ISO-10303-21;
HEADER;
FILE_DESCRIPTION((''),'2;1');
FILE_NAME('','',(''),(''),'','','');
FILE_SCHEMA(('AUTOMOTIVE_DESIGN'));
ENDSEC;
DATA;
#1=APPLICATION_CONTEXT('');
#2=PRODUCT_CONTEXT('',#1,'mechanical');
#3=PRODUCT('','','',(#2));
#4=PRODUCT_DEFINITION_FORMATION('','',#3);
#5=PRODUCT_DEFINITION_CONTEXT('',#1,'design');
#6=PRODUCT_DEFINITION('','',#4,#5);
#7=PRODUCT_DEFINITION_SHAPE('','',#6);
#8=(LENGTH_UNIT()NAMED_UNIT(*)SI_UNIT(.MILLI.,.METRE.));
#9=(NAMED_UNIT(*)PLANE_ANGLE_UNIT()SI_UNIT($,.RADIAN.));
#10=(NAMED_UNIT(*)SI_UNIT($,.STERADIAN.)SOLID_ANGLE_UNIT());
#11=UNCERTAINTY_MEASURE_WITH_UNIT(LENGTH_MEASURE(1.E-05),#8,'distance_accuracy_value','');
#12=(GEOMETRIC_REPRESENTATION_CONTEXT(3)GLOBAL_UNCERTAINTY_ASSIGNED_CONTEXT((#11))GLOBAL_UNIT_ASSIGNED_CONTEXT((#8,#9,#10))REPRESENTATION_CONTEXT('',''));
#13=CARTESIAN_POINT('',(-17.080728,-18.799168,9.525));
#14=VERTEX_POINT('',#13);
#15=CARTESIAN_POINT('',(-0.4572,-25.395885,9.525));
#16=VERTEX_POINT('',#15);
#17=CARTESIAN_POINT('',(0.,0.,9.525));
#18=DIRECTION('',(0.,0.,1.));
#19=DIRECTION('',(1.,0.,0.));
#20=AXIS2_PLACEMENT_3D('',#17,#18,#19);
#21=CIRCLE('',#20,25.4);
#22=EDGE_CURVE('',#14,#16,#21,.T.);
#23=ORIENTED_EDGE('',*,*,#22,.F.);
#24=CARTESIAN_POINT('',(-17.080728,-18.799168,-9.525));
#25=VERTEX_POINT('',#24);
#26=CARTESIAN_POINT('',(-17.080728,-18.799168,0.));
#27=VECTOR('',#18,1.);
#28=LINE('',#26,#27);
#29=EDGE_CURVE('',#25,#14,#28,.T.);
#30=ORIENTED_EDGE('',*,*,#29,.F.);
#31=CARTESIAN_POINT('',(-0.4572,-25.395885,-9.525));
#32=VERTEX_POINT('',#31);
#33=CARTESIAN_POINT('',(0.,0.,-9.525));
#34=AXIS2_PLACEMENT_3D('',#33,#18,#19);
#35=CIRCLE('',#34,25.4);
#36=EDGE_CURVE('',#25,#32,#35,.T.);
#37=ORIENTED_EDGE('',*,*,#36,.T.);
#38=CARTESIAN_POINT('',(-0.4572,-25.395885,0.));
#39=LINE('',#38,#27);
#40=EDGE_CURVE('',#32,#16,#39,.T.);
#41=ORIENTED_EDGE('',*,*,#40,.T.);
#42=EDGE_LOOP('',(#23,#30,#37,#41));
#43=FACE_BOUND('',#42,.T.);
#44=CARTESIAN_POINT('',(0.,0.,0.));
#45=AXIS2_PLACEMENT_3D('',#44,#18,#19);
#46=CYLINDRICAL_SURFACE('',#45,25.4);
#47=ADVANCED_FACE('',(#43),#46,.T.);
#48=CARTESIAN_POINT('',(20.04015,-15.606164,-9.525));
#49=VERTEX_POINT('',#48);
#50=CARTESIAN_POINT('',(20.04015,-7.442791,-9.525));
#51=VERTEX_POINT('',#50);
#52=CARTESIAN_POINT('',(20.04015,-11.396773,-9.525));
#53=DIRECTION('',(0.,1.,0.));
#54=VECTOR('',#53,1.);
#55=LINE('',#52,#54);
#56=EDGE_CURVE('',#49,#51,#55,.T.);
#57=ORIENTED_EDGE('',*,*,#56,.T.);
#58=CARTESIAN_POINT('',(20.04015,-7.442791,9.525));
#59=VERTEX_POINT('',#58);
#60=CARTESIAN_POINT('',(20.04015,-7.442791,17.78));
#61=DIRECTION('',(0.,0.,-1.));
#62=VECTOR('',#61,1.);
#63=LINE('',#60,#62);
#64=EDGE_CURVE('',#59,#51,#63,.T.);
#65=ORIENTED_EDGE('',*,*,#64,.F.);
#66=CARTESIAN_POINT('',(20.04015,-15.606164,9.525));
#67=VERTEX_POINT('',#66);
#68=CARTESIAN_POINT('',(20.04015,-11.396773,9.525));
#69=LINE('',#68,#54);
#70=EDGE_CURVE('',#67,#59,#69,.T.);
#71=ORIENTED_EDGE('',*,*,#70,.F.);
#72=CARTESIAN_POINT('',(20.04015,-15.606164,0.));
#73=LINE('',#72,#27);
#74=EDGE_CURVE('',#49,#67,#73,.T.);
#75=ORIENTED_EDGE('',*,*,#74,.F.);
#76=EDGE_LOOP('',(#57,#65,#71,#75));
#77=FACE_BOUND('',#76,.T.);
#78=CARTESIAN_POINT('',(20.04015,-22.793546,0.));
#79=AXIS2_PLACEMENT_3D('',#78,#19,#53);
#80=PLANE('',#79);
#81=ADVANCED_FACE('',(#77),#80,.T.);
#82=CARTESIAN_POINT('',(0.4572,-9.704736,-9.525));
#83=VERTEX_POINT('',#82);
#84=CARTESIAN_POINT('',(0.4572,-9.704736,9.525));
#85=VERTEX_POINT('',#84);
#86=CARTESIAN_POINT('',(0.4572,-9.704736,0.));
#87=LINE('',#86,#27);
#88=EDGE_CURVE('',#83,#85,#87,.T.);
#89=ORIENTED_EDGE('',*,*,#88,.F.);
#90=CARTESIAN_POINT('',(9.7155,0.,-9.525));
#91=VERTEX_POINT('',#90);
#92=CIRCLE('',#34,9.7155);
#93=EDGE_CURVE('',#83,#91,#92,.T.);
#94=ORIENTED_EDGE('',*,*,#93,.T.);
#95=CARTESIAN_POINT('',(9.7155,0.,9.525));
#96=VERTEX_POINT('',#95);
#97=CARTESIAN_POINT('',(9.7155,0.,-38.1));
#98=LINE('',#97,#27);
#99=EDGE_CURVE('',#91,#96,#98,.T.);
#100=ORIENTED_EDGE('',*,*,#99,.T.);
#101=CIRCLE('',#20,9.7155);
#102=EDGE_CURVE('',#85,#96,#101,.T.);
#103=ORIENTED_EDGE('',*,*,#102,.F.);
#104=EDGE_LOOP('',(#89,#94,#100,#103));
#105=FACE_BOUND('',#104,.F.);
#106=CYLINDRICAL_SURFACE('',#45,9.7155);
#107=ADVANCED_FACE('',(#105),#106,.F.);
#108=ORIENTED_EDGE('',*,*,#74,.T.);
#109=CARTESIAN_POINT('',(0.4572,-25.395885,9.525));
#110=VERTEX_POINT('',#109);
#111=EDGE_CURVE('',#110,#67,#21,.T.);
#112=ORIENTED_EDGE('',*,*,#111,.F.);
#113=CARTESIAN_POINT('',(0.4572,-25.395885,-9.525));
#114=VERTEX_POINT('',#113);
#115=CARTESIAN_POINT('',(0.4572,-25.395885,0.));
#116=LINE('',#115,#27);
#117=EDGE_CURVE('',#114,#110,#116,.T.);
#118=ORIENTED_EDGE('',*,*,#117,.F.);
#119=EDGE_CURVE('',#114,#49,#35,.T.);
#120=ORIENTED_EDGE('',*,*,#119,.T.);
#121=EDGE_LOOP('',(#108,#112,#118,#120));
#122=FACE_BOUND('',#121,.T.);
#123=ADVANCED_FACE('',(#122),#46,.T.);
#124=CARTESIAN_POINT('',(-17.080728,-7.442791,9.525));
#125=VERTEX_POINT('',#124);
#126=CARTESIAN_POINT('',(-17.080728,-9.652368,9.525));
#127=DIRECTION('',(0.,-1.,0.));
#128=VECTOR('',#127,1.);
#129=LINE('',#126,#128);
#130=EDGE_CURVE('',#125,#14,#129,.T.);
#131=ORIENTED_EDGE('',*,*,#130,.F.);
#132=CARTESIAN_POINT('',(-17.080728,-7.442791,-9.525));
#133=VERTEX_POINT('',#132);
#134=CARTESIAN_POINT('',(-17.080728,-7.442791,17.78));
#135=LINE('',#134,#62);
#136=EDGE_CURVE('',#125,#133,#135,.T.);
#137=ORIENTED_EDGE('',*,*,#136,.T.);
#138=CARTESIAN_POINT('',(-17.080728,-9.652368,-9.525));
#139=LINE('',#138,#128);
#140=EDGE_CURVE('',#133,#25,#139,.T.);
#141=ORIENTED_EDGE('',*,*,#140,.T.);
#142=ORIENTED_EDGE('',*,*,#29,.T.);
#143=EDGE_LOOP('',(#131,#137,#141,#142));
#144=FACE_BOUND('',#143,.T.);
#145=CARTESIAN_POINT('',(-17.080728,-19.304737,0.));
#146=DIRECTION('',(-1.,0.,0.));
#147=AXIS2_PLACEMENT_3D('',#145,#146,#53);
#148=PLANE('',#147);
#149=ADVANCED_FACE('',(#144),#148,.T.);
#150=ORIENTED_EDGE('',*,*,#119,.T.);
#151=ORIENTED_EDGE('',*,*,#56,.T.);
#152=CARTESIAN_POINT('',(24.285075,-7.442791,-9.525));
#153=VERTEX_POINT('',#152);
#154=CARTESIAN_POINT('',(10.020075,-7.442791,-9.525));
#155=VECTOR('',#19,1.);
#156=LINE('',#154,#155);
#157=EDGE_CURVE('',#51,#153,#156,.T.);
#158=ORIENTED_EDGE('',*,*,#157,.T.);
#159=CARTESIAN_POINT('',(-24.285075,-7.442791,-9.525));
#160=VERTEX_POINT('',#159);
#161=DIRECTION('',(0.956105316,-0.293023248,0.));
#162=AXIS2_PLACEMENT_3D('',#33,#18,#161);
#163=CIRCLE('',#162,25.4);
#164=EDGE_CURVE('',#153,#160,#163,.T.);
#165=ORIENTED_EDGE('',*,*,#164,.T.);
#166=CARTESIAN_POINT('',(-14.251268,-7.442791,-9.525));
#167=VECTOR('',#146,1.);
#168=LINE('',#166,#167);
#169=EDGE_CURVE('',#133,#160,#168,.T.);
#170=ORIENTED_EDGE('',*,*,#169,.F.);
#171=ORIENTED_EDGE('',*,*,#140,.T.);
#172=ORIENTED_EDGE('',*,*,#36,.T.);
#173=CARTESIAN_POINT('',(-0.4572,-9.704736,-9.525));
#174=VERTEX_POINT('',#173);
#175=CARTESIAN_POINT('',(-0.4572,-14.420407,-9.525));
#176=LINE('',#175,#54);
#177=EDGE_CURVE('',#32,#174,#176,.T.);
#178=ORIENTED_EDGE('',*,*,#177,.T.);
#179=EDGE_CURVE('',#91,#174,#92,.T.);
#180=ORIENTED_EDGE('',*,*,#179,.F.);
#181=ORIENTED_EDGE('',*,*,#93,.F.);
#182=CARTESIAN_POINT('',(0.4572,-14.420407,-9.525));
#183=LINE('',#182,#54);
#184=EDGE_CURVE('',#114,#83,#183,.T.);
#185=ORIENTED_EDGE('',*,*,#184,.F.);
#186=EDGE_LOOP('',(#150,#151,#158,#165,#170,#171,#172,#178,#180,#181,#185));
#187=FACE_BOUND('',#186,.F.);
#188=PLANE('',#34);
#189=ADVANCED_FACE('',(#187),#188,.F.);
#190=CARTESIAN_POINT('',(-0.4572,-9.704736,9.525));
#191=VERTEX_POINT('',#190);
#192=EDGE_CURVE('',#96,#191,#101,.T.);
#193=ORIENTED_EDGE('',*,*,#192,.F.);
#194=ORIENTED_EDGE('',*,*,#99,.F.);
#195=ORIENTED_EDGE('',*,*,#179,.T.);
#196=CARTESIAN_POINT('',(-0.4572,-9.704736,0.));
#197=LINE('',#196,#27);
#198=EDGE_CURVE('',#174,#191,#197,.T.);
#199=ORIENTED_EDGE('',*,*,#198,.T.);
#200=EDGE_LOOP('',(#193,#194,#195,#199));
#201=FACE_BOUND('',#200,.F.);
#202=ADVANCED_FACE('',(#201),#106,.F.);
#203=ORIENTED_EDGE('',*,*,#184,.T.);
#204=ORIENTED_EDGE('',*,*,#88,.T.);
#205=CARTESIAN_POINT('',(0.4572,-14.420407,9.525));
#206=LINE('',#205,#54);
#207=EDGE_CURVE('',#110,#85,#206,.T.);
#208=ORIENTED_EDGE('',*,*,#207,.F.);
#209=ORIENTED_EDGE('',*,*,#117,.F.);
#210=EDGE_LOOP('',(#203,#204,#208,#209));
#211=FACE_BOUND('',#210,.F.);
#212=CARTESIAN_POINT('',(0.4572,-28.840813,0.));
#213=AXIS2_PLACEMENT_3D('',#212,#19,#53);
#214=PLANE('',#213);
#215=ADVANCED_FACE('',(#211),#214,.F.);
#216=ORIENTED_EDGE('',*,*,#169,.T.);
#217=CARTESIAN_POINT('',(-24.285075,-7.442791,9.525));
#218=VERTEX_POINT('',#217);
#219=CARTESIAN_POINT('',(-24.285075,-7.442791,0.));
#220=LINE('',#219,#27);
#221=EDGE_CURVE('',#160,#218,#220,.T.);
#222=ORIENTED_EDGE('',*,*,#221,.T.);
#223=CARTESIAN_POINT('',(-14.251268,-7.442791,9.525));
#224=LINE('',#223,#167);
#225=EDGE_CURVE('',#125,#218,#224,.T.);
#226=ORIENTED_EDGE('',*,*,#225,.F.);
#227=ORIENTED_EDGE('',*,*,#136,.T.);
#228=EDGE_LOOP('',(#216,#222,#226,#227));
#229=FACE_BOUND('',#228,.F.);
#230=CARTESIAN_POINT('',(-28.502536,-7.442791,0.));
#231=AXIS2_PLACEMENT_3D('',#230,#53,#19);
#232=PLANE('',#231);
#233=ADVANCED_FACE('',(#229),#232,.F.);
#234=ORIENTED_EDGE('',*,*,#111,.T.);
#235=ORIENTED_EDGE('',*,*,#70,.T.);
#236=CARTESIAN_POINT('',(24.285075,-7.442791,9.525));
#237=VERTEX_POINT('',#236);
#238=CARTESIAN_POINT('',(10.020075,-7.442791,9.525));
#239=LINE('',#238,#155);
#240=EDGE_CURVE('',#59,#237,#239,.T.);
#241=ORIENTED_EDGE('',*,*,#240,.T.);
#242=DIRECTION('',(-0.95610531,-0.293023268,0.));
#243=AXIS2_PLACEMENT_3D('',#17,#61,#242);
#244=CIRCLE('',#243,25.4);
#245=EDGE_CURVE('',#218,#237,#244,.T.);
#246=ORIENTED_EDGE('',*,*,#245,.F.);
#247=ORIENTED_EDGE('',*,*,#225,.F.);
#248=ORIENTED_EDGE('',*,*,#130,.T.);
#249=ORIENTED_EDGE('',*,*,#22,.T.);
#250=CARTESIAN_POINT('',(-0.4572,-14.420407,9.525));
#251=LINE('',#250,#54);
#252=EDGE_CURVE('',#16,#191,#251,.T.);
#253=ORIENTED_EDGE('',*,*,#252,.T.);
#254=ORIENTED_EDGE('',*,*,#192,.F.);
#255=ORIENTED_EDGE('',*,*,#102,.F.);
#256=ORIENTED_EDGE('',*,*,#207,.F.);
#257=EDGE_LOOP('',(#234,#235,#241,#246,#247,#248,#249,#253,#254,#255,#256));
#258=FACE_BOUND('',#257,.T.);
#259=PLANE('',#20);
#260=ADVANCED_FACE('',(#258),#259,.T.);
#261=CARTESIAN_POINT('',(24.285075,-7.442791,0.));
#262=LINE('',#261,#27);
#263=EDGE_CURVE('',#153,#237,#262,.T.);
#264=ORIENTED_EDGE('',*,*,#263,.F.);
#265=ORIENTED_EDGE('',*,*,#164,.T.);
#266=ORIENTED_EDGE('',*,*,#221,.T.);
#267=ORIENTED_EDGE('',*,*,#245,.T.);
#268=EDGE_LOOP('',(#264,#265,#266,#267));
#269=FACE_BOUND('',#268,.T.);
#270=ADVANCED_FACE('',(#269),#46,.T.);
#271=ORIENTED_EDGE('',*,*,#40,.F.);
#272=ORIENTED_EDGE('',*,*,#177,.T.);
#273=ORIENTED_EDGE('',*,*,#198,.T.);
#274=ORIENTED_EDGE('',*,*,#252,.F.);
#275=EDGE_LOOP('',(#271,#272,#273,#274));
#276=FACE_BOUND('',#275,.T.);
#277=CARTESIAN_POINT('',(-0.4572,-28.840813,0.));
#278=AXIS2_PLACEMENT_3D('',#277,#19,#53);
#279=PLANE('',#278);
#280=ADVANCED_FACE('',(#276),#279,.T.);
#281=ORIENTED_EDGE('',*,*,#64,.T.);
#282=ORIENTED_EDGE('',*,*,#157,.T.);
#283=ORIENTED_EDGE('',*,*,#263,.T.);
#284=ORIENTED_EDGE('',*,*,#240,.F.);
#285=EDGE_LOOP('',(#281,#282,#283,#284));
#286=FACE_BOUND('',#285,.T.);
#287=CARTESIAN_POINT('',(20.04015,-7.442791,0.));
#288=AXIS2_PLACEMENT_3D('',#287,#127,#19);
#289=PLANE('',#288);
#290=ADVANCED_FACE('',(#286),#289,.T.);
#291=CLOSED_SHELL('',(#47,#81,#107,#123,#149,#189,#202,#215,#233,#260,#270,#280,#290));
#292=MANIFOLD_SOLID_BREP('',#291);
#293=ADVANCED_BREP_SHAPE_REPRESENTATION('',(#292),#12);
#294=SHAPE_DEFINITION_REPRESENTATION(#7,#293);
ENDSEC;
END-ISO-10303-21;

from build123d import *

# Parameters (mm, degrees)
F0_R     = 25.4
F0_R_2   = 9.5885
F1_DEPTH = 9.525
F2_W     = 11.421807
F2_H     = 11.861946
F2_W_2   = 16.656801
F2_H_2   = 15.350755
F3_DEPTH = 17.78
F4_W     = 0.9144
F4_H     = 22.793547
F5_DEPTH = 15.5956
F6_R     = 9.7155
F7_DEPTH = 38.1


with BuildPart() as f1:
    # F0 (on Top) → F1 (new body, symmetric)
    with BuildSketch(Plane.XY):
        Circle(F0_R)
        Circle(F0_R_2, mode=Mode.SUBTRACT)
    extrude(amount=F1_DEPTH, both=True)

    # F2 (on Top) → F3 (cut, symmetric)
    with BuildSketch(Plane.XY):
        with Locations((-22.791632, -13.373764)):
            Rectangle(F2_W, F2_H)
        with Locations((28.368551, -15.118168)):
            Rectangle(F2_W_2, F2_H_2)
    extrude(amount=F3_DEPTH, both=True, mode=Mode.SUBTRACT)

    # F4 (on Top) → F5 (cut, symmetric)
    with BuildSketch(Plane.XY):
        with Locations((0, -17.44404)):
            Rectangle(F4_W, F4_H)
    extrude(amount=F5_DEPTH, both=True, mode=Mode.SUBTRACT)

    # F6 (on Top) → F7 (cut, symmetric)
    with BuildSketch(Plane.XY):
        Circle(F6_R)
    extrude(amount=F7_DEPTH, both=True, mode=Mode.SUBTRACT)


solid = f1.part
